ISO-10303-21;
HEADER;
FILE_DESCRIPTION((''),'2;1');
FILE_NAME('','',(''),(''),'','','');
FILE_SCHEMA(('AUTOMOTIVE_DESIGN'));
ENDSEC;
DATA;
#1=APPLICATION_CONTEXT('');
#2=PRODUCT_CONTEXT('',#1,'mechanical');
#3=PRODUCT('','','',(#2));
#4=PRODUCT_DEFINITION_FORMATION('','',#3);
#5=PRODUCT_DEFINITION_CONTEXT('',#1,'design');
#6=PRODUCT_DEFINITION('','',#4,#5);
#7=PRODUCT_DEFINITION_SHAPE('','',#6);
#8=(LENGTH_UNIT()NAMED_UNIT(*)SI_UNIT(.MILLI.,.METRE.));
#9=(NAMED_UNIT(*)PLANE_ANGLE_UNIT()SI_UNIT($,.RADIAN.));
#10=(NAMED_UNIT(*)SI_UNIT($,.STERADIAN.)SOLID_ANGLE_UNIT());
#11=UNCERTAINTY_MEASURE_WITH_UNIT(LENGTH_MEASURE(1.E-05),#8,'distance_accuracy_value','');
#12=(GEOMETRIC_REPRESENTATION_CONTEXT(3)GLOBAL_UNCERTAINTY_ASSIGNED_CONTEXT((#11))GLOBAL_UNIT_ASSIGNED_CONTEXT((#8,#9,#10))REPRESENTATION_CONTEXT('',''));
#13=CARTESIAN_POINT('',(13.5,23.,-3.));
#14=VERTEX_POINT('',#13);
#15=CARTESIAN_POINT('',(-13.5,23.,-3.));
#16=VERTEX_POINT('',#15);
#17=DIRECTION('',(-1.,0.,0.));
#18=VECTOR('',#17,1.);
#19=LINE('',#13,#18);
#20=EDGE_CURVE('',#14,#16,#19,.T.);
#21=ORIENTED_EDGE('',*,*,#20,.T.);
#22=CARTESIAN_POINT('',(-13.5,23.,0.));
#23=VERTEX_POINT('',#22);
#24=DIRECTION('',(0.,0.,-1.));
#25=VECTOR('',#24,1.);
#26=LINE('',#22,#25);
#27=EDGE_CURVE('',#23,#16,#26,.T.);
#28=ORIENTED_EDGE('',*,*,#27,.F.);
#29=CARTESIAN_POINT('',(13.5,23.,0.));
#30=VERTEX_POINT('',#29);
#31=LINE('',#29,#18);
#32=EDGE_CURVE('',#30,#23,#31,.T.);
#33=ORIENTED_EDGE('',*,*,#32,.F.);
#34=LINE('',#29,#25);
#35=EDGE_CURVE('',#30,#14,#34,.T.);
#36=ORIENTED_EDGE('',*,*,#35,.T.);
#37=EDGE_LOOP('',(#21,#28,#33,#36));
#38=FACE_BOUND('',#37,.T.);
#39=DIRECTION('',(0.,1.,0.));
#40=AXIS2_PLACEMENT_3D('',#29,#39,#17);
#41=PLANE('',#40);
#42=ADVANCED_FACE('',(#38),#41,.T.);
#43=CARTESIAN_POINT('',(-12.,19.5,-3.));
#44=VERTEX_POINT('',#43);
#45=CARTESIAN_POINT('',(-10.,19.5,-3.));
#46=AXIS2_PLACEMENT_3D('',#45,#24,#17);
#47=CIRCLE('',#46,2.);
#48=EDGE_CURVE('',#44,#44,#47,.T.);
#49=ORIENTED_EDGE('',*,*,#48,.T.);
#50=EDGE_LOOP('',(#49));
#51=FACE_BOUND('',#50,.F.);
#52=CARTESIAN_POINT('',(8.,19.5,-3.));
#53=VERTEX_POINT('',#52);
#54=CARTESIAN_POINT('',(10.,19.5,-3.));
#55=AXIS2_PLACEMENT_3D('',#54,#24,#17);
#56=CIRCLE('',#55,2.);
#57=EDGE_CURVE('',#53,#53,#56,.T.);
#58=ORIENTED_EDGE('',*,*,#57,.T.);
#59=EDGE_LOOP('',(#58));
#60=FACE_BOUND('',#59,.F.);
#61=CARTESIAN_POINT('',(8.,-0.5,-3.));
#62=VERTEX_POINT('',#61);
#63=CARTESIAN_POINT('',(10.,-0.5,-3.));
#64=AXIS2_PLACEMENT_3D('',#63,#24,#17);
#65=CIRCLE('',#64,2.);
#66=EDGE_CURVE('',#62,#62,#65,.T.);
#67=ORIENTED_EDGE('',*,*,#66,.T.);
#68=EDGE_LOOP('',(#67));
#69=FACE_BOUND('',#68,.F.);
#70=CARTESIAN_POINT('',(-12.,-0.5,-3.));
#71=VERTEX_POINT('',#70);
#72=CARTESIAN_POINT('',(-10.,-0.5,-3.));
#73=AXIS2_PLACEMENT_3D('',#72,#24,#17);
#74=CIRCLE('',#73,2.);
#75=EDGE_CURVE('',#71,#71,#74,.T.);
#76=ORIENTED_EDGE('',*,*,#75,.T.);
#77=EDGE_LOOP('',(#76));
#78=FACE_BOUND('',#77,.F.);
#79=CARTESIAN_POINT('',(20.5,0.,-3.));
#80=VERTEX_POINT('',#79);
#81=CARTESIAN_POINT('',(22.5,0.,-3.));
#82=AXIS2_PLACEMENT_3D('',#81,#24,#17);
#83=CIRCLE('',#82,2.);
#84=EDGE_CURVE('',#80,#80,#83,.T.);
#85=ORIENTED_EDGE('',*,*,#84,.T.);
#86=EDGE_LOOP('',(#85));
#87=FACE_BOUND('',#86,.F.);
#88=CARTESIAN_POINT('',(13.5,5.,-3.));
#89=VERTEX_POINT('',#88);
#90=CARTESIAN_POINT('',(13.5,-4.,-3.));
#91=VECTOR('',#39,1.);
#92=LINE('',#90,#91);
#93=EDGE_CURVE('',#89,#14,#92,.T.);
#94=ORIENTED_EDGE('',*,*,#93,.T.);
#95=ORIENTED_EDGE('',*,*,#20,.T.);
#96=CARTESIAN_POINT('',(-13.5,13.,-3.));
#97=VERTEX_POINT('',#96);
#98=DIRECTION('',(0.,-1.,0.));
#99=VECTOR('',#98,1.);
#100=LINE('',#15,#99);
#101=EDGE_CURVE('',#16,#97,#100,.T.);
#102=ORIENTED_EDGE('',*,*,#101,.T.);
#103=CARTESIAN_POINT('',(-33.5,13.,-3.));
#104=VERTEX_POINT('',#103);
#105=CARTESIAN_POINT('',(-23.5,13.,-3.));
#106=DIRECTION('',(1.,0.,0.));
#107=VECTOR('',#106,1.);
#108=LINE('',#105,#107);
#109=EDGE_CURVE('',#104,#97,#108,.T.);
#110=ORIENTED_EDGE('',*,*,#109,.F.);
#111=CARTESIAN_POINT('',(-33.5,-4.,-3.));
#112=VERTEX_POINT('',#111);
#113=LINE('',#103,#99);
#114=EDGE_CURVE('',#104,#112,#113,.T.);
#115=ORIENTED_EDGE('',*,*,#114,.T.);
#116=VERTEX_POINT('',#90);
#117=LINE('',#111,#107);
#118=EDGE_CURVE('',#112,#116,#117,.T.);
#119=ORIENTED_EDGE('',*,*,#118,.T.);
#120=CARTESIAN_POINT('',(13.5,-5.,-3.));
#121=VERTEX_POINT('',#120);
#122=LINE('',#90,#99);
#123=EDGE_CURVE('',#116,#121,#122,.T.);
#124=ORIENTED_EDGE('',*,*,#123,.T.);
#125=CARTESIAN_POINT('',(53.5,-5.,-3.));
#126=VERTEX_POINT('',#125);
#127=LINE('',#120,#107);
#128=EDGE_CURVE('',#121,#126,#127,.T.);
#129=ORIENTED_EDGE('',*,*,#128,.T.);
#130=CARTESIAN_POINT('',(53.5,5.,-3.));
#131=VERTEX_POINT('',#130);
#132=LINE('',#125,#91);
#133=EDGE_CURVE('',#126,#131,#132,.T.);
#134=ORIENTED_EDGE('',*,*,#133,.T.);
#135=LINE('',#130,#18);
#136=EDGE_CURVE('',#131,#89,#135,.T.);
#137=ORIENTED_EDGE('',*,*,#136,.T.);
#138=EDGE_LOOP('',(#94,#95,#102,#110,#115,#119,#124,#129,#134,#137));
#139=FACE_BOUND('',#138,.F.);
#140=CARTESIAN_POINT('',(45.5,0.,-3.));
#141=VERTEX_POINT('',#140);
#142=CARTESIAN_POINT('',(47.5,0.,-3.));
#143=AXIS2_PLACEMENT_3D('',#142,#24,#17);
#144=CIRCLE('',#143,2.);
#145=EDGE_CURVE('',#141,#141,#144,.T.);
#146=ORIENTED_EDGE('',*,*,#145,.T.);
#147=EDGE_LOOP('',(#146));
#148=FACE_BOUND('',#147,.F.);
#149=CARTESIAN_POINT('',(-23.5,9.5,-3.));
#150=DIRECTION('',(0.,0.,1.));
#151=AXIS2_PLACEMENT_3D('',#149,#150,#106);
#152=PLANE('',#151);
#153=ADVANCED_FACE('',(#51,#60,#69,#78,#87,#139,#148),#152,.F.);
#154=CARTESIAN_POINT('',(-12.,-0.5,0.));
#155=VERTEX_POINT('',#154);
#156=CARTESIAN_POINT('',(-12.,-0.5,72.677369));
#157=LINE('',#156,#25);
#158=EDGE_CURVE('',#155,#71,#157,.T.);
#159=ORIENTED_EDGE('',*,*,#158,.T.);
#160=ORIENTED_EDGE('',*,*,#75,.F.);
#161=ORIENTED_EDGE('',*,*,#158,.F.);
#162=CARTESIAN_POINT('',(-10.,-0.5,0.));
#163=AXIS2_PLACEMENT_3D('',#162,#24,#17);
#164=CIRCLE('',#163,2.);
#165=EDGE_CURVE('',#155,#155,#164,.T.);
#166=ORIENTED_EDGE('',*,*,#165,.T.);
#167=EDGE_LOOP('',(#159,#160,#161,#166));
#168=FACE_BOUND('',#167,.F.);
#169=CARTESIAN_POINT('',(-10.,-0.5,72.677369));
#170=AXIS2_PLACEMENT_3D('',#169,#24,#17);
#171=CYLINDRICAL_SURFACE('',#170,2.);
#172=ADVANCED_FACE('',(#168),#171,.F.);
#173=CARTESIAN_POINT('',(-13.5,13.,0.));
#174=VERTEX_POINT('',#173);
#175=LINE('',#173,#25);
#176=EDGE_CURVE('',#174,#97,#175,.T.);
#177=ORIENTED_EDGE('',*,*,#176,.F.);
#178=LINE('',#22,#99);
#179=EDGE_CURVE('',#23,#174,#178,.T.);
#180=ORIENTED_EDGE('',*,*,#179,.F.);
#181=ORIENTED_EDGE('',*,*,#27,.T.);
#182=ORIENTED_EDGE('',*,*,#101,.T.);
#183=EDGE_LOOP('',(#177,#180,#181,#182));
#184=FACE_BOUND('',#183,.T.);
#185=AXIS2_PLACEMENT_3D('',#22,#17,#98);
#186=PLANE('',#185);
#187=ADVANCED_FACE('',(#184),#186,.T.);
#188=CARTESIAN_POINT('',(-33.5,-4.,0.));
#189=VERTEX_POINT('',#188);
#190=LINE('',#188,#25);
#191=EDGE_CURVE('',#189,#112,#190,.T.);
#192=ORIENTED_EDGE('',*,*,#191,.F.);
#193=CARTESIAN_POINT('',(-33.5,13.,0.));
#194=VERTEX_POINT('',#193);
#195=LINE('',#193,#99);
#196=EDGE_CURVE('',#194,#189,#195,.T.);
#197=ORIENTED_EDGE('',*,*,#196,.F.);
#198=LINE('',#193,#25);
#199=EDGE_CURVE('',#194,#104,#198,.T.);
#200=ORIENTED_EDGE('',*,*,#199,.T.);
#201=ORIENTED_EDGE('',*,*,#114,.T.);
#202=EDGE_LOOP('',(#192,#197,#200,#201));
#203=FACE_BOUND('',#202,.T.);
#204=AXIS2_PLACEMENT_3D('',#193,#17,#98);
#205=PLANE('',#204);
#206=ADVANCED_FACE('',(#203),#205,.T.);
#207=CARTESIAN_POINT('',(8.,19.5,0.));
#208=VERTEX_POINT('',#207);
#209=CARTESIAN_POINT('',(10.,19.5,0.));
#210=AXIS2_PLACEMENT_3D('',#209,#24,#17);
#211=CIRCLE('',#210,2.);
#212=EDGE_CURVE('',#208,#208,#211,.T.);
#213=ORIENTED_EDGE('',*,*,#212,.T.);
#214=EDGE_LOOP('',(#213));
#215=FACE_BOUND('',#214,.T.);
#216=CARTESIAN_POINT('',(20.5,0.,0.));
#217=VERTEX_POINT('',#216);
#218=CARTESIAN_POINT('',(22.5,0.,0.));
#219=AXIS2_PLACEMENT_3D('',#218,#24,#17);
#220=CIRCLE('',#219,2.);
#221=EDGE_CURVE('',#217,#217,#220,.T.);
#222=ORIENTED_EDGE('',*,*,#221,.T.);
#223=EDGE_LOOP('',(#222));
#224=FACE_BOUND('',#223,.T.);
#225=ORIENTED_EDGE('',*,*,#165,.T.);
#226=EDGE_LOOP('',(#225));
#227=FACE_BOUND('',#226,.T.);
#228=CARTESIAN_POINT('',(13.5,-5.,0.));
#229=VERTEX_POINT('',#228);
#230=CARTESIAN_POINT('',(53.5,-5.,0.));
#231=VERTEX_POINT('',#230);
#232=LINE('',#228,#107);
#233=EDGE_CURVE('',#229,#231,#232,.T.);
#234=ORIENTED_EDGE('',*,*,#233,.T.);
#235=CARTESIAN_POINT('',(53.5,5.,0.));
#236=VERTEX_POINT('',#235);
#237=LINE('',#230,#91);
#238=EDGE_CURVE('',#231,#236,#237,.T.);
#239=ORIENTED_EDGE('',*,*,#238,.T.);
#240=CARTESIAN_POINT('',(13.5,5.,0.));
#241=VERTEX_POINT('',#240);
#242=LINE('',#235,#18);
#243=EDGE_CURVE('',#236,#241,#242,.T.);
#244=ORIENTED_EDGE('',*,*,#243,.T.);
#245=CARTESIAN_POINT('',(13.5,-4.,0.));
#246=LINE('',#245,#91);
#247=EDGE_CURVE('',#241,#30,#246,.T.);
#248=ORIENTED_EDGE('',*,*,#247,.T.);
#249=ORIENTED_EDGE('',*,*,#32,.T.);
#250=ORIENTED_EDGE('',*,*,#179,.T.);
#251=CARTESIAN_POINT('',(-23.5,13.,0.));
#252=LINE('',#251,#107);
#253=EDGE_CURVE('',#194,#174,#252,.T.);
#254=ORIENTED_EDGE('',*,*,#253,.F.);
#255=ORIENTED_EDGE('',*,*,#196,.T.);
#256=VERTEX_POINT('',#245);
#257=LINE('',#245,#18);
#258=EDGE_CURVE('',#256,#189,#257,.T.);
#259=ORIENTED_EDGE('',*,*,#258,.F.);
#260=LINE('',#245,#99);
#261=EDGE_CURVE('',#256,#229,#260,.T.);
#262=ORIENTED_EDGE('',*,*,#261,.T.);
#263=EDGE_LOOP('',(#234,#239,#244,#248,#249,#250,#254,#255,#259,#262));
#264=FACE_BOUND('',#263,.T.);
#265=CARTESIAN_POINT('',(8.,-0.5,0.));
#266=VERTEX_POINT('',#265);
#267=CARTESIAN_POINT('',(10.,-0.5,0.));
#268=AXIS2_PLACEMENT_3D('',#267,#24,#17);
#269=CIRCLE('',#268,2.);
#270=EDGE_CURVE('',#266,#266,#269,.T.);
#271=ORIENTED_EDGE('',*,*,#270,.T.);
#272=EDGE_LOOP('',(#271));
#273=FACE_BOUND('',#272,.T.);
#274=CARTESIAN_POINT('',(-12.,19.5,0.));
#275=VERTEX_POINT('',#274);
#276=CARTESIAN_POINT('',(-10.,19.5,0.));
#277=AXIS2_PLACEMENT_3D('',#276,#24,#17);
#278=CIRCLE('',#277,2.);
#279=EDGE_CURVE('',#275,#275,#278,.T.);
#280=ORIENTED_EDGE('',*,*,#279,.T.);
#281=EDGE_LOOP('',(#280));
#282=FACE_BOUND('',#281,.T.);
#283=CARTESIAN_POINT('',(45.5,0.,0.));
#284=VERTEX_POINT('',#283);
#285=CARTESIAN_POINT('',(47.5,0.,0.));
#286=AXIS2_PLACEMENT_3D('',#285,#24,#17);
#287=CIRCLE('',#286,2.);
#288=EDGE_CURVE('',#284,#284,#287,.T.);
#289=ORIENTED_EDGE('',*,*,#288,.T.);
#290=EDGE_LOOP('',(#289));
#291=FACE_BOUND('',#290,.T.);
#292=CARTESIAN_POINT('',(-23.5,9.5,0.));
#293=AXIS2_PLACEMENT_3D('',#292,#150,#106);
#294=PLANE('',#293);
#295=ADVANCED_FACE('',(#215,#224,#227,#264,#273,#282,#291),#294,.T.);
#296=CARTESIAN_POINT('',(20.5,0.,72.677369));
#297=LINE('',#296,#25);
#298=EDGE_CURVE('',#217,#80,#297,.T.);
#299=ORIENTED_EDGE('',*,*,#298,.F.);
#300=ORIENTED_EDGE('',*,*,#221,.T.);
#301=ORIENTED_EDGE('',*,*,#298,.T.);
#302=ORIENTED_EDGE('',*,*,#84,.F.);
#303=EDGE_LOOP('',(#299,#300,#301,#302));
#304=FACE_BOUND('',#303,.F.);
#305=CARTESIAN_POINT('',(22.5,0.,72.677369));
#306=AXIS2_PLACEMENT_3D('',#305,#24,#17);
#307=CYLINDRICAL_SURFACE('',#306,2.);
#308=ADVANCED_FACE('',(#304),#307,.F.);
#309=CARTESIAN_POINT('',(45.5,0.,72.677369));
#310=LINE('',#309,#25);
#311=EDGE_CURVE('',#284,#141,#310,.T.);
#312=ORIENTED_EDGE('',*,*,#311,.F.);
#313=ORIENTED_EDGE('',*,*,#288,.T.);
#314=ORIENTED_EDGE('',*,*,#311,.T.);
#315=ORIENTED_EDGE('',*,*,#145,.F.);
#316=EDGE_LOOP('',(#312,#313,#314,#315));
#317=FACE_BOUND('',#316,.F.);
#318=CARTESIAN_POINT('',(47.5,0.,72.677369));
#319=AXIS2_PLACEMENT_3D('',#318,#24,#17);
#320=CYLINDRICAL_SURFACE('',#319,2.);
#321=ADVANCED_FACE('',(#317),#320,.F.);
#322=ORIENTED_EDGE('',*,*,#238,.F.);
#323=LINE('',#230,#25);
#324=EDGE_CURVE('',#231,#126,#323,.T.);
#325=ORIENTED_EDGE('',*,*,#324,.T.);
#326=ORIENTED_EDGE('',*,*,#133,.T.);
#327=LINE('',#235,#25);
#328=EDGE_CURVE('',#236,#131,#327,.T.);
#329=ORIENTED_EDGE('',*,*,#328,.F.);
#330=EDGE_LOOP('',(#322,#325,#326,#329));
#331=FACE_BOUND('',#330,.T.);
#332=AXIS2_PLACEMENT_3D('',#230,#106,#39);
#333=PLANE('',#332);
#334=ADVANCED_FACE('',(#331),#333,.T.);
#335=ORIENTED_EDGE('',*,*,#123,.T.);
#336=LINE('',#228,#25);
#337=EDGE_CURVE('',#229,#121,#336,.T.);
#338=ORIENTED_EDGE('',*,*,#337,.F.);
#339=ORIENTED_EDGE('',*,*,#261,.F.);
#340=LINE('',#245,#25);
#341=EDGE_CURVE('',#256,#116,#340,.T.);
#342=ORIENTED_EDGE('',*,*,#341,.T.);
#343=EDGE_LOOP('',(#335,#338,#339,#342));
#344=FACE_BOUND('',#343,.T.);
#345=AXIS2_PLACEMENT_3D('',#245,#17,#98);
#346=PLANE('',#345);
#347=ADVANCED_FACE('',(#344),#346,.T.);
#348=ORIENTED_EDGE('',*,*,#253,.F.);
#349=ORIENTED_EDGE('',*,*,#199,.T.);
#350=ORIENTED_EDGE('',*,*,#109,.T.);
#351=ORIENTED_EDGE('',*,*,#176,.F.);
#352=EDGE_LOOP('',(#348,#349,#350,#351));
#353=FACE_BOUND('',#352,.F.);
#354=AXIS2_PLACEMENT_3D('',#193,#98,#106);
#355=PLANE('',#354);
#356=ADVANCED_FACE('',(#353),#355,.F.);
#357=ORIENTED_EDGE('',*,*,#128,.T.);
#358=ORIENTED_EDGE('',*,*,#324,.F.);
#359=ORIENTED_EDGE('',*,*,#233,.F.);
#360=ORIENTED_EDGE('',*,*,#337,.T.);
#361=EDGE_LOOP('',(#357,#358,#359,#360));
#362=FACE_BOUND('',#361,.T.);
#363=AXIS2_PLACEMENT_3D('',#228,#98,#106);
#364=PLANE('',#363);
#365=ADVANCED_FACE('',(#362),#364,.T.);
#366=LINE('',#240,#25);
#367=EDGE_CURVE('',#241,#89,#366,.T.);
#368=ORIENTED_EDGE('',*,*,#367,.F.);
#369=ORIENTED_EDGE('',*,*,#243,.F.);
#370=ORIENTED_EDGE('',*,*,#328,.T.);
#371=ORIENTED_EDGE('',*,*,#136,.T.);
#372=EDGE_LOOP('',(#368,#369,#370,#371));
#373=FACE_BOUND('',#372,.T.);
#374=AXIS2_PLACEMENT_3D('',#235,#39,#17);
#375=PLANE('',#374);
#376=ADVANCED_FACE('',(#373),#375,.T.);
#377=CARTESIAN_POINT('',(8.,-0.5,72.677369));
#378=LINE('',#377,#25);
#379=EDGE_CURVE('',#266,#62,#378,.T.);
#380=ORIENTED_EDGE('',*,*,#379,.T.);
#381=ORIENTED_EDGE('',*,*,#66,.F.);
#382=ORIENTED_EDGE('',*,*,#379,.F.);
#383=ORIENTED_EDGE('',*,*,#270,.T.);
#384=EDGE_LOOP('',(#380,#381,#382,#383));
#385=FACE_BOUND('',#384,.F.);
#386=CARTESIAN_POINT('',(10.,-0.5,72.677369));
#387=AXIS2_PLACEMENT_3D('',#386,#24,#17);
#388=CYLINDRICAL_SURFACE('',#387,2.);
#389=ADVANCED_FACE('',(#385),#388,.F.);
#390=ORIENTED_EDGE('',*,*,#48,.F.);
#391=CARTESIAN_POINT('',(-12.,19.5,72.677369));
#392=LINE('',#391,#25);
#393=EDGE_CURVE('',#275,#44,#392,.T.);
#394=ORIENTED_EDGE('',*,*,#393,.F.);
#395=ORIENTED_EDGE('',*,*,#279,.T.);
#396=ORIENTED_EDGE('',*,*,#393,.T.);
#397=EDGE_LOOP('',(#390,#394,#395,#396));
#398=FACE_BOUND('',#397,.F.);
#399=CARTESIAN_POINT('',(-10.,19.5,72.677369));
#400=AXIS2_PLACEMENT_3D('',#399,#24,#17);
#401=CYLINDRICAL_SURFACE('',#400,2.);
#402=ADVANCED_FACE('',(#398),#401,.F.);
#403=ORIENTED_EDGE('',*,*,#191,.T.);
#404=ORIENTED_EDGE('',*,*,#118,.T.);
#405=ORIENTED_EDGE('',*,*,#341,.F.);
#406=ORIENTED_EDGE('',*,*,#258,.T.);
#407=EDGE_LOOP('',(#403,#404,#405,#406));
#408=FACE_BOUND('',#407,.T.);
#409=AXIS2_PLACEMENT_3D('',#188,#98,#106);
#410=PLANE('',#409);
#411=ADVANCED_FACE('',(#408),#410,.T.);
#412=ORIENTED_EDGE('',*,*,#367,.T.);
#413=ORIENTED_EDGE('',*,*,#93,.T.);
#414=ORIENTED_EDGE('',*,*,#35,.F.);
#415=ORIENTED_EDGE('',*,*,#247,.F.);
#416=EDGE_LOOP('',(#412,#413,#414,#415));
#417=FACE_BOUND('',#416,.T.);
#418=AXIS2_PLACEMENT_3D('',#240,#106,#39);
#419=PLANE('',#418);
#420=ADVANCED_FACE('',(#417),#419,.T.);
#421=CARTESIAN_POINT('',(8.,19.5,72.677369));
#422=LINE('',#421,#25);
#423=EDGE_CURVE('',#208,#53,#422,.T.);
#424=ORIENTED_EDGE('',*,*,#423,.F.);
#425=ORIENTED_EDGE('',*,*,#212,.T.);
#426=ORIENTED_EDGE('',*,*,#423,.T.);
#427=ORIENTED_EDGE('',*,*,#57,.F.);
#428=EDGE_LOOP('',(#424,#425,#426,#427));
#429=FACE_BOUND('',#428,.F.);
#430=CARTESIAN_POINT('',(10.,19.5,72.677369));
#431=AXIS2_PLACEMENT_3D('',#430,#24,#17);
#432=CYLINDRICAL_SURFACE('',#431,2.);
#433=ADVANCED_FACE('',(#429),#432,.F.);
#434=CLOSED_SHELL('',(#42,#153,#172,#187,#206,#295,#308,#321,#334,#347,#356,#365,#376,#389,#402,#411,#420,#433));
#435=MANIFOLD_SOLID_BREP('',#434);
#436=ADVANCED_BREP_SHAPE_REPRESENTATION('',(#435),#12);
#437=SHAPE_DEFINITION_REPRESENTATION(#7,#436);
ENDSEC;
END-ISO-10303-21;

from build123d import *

# Parameters (mm, degrees)
F0_W     = 20
F0_H     = 20
F1_DEPTH = 3
F2_D     = 4
F0_H_2   = 7
F0_H_3   = 10
F3_DEPTH = 3


with BuildPart() as f1:
    # F0 (on Top) → F1 (new body)
    with BuildSketch(Plane.XY):
        Polygon((-13.5, -4), (13.5, -4), (13.5, 5), (13.5, 23), (-13.5, 23), (-13.5, 13), (-13.5, 6), align=None)
        with Locations((0, 9.5)):
            Rectangle(F0_W, F0_H, mode=Mode.SUBTRACT)
        with Locations((0, 9.5)):
            Rectangle(F0_W, F0_H)
        Polygon((13.5, 5), (13.5, -4), (13.5, -5), (53.5, -5), (53.5, 5), align=None)
    extrude(amount=-F1_DEPTH)

    # F2 (through all)
    with Locations(Plane.XY):
        with Locations((-10, -0.5), (-10, 19.5), (10, -0.5), (22.5, 0), (47.5, 0), (10, 19.5)):
            Hole(F2_D / 2)

    # F0 (on Top) → F3 (join)
    with BuildSketch(Plane.XY):
        with Locations((-23.5, 9.5)):
            Rectangle(F0_W, F0_H_2)
        with Locations((-23.5, 1)):
            Rectangle(F0_W, F0_H_3)
    extrude(amount=-F3_DEPTH)


solid = f1.part
